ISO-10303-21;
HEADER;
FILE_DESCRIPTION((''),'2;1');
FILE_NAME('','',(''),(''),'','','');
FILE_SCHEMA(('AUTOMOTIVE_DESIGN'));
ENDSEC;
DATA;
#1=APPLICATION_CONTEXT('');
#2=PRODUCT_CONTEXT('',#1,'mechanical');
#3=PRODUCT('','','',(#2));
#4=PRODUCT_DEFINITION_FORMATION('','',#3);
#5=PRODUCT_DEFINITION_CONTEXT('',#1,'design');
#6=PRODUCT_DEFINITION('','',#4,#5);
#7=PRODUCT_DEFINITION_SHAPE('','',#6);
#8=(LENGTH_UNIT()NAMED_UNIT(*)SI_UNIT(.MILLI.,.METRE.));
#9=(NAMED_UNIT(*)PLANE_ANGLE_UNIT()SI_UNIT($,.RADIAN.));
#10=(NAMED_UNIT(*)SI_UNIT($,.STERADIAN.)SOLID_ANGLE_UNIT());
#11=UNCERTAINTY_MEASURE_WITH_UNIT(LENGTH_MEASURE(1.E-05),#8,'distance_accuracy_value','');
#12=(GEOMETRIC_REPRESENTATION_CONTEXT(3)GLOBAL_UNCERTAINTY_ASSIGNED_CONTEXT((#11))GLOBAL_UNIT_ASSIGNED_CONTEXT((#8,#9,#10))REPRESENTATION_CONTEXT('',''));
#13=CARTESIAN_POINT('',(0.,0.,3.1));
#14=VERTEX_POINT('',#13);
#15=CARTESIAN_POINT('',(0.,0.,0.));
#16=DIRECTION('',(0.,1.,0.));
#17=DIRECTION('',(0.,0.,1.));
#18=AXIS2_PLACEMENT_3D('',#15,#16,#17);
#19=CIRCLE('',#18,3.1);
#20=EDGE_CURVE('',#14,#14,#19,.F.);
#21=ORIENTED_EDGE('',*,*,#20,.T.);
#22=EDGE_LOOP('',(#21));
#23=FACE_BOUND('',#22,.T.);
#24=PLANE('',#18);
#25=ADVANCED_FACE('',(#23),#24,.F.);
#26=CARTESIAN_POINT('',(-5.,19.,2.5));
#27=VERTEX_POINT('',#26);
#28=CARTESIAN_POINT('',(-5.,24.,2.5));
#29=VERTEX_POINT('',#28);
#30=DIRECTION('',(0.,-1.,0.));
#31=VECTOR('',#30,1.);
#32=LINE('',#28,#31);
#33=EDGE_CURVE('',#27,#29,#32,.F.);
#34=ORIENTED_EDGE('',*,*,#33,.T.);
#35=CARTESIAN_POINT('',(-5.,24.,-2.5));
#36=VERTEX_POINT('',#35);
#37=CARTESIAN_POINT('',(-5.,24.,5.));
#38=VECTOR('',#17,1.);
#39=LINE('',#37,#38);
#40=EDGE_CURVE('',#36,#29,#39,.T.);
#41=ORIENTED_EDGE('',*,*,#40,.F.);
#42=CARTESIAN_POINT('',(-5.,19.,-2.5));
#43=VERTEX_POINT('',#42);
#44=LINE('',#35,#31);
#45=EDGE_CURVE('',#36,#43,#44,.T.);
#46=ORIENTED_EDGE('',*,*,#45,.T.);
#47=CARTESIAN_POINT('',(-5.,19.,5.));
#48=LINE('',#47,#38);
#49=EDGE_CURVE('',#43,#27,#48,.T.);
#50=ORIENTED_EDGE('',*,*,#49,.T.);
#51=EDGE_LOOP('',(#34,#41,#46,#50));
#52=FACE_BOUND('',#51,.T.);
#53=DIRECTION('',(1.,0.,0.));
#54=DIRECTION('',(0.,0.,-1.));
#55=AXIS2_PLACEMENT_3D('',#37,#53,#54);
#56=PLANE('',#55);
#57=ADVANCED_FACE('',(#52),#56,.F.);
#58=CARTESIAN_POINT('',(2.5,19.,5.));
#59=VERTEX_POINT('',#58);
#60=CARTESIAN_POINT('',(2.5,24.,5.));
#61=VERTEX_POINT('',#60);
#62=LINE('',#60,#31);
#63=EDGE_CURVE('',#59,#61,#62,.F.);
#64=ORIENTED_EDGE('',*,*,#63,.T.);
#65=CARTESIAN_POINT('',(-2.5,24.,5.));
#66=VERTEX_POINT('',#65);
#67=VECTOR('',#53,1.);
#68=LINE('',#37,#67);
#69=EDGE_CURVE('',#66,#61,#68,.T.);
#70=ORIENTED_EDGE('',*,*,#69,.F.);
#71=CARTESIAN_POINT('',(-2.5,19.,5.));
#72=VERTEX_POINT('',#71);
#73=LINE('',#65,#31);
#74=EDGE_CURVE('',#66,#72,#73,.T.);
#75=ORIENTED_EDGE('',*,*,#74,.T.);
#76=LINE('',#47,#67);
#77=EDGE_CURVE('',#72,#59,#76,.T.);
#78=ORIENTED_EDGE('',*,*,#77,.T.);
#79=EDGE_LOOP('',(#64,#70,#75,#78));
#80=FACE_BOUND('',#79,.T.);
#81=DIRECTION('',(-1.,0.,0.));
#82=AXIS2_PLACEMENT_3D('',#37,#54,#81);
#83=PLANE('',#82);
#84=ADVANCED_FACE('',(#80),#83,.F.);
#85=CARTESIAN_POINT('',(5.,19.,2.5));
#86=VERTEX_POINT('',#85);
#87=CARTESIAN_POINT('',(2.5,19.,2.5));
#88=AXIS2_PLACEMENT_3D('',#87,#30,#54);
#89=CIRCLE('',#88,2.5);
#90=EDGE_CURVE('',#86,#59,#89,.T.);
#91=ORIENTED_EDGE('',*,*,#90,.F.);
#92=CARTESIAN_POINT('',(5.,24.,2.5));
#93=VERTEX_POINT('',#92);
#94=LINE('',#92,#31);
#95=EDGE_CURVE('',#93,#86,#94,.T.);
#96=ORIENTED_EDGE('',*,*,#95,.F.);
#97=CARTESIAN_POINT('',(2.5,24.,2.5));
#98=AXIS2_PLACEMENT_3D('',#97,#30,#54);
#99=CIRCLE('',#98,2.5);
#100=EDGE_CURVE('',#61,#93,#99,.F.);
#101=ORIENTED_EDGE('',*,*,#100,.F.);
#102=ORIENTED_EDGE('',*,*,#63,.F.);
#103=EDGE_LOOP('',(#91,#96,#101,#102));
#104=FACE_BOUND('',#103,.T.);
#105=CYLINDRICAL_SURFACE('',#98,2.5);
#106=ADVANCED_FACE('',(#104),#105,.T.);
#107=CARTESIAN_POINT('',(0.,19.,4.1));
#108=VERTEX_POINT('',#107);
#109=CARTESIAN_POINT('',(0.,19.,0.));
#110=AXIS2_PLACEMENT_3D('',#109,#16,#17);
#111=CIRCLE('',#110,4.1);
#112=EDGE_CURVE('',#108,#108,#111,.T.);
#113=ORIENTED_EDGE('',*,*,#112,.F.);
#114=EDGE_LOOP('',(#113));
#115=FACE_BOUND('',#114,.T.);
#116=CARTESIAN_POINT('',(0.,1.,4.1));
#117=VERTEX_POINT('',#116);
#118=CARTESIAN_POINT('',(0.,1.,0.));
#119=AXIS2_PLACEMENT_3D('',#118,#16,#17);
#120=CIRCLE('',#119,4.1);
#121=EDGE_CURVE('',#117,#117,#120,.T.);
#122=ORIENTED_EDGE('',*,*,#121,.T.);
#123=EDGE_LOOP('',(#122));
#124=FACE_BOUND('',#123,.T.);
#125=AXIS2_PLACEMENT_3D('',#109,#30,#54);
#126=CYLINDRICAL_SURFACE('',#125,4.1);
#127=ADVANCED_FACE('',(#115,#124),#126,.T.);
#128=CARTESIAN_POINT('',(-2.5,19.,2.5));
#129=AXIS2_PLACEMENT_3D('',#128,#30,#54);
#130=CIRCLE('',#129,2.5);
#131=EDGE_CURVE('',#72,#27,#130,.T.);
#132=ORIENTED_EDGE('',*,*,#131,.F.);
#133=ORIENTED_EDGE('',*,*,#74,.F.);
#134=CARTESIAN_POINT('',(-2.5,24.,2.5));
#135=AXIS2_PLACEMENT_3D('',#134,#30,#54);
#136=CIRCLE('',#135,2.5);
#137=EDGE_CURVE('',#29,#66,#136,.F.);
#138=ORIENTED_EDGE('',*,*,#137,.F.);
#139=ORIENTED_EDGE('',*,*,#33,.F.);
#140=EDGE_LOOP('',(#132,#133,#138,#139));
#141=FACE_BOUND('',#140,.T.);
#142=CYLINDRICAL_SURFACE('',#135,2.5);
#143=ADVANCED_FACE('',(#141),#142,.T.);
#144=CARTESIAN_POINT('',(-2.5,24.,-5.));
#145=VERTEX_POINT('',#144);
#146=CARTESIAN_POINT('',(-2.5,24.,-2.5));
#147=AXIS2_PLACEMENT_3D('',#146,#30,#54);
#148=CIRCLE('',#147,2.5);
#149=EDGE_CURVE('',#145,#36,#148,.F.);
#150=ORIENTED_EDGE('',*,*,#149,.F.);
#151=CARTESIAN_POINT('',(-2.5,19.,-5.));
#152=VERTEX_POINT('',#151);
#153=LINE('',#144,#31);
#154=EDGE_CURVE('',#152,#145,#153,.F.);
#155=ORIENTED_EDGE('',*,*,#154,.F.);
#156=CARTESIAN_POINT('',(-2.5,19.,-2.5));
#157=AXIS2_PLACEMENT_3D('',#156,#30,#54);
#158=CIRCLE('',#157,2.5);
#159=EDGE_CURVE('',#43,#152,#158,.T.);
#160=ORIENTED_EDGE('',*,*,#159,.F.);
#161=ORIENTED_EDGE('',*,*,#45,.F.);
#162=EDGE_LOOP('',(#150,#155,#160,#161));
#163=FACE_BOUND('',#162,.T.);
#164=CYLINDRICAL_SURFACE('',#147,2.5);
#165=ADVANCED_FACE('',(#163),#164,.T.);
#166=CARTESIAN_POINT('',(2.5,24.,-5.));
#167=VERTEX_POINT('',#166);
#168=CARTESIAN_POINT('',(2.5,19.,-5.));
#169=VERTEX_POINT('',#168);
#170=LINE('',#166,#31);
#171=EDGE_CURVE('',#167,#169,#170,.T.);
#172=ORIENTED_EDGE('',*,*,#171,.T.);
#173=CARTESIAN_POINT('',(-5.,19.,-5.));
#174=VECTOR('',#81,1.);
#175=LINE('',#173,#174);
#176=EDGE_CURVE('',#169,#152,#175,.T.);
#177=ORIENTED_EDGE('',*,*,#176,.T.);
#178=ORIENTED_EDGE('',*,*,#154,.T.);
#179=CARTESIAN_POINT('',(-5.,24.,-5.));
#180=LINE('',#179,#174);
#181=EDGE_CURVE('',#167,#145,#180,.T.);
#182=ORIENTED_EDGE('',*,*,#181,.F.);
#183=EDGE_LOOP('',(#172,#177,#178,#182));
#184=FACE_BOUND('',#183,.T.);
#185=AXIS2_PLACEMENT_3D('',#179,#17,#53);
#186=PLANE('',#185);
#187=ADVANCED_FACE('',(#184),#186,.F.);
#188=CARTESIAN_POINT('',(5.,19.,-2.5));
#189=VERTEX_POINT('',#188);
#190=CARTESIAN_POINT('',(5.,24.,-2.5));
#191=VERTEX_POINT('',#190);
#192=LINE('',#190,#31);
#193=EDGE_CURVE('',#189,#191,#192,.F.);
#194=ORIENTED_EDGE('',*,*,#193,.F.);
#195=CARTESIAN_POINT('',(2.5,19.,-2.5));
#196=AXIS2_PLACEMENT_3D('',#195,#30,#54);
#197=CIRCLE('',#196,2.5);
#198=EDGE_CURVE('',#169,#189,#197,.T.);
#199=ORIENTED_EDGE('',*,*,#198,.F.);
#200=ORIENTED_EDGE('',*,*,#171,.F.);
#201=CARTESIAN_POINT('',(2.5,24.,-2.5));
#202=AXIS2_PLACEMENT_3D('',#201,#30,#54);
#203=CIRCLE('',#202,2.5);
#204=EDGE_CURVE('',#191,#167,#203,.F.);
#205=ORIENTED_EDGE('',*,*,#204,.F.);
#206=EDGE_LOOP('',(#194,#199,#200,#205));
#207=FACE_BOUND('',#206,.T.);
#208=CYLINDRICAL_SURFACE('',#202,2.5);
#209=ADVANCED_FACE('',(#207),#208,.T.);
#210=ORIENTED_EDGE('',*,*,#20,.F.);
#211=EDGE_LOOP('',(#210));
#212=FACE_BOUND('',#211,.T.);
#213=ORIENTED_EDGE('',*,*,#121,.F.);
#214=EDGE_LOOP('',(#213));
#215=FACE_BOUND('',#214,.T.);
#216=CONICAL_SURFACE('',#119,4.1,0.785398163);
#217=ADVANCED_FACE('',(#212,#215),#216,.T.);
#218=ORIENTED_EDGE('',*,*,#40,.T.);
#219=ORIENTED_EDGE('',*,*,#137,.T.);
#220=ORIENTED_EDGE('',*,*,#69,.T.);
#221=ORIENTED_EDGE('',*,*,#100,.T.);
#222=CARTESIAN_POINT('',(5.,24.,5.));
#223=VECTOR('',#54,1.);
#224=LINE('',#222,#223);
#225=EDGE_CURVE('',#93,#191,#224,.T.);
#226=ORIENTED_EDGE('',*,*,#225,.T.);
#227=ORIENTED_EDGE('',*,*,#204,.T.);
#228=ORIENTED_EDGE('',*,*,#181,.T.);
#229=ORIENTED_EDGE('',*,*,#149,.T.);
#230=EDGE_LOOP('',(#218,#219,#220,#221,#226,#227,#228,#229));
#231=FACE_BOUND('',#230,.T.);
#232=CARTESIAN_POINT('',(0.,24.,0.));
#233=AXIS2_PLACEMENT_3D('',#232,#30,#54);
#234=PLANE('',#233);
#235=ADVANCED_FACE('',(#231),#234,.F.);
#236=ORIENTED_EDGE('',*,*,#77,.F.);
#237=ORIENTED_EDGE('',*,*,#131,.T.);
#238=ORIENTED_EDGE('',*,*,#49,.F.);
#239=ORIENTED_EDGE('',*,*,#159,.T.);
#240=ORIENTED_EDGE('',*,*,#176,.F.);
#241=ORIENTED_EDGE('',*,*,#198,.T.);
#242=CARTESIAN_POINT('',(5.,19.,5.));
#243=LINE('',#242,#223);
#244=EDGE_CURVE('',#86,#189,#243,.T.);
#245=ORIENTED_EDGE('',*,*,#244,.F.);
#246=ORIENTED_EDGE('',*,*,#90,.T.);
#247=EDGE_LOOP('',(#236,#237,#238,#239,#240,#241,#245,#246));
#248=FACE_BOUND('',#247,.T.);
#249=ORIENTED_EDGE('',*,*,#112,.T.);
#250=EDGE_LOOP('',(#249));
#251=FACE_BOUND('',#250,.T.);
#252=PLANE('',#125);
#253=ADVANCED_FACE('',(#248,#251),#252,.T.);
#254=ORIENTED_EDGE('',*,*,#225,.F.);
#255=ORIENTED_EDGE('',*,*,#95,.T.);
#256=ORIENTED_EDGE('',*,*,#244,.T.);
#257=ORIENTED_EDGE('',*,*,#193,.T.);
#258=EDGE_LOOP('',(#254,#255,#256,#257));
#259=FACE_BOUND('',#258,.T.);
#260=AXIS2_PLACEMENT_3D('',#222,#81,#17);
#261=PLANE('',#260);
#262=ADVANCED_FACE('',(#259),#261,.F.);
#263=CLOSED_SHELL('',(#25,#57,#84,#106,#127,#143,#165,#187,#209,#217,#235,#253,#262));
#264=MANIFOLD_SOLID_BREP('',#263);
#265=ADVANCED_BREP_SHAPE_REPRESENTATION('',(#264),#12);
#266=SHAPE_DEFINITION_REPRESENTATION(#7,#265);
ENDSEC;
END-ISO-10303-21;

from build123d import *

# Parameters (mm, degrees)
SKETCH1_R           = 4.1
BOSS_EXTRUDE1_DEPTH = 19
SKETCH2_W           = 10
SKETCH2_H           = 10
BOSS_EXTRUDE2_DEPTH = 5
FILLET1_R           = 2.5
CHAMFER1_SIZE       = 1


with BuildPart() as part:
    # Sketch1 → Boss-Extrude1 (new body)
    with BuildSketch(Plane(origin=(0, 0, 0), x_dir=(1, 0, 0), z_dir=(0, 1, 0))):
        with Locations(Location((0, 0, 0), (0, 0, 270))):
            Circle(SKETCH1_R)
    extrude(amount=BOSS_EXTRUDE1_DEPTH)

    # Sketch2 → Boss-Extrude2 (add)
    with BuildSketch(Plane(origin=(0, 19, 0), x_dir=(1, 0, 0), z_dir=(0, 1, 0))):
        Rectangle(SKETCH2_W, SKETCH2_H)
    extrude(amount=BOSS_EXTRUDE2_DEPTH)

    # Fillet1
    fillet1_edges = [part.edges().sort_by_distance(p)[0] for p in [
        (5, 21.5, 5),
        (5, 21.5, -5),
        (-5, 21.5, -5),
        (-5, 21.5, 5),
    ]]
    fillet(fillet1_edges, radius=FILLET1_R)

    # Chamfer1
    chamfer1_edges = [part.edges().sort_by_distance(p)[0] for p in [
        (0, 0, -4.1),
    ]]
    chamfer(chamfer1_edges, length=CHAMFER1_SIZE)


solid = part.part
